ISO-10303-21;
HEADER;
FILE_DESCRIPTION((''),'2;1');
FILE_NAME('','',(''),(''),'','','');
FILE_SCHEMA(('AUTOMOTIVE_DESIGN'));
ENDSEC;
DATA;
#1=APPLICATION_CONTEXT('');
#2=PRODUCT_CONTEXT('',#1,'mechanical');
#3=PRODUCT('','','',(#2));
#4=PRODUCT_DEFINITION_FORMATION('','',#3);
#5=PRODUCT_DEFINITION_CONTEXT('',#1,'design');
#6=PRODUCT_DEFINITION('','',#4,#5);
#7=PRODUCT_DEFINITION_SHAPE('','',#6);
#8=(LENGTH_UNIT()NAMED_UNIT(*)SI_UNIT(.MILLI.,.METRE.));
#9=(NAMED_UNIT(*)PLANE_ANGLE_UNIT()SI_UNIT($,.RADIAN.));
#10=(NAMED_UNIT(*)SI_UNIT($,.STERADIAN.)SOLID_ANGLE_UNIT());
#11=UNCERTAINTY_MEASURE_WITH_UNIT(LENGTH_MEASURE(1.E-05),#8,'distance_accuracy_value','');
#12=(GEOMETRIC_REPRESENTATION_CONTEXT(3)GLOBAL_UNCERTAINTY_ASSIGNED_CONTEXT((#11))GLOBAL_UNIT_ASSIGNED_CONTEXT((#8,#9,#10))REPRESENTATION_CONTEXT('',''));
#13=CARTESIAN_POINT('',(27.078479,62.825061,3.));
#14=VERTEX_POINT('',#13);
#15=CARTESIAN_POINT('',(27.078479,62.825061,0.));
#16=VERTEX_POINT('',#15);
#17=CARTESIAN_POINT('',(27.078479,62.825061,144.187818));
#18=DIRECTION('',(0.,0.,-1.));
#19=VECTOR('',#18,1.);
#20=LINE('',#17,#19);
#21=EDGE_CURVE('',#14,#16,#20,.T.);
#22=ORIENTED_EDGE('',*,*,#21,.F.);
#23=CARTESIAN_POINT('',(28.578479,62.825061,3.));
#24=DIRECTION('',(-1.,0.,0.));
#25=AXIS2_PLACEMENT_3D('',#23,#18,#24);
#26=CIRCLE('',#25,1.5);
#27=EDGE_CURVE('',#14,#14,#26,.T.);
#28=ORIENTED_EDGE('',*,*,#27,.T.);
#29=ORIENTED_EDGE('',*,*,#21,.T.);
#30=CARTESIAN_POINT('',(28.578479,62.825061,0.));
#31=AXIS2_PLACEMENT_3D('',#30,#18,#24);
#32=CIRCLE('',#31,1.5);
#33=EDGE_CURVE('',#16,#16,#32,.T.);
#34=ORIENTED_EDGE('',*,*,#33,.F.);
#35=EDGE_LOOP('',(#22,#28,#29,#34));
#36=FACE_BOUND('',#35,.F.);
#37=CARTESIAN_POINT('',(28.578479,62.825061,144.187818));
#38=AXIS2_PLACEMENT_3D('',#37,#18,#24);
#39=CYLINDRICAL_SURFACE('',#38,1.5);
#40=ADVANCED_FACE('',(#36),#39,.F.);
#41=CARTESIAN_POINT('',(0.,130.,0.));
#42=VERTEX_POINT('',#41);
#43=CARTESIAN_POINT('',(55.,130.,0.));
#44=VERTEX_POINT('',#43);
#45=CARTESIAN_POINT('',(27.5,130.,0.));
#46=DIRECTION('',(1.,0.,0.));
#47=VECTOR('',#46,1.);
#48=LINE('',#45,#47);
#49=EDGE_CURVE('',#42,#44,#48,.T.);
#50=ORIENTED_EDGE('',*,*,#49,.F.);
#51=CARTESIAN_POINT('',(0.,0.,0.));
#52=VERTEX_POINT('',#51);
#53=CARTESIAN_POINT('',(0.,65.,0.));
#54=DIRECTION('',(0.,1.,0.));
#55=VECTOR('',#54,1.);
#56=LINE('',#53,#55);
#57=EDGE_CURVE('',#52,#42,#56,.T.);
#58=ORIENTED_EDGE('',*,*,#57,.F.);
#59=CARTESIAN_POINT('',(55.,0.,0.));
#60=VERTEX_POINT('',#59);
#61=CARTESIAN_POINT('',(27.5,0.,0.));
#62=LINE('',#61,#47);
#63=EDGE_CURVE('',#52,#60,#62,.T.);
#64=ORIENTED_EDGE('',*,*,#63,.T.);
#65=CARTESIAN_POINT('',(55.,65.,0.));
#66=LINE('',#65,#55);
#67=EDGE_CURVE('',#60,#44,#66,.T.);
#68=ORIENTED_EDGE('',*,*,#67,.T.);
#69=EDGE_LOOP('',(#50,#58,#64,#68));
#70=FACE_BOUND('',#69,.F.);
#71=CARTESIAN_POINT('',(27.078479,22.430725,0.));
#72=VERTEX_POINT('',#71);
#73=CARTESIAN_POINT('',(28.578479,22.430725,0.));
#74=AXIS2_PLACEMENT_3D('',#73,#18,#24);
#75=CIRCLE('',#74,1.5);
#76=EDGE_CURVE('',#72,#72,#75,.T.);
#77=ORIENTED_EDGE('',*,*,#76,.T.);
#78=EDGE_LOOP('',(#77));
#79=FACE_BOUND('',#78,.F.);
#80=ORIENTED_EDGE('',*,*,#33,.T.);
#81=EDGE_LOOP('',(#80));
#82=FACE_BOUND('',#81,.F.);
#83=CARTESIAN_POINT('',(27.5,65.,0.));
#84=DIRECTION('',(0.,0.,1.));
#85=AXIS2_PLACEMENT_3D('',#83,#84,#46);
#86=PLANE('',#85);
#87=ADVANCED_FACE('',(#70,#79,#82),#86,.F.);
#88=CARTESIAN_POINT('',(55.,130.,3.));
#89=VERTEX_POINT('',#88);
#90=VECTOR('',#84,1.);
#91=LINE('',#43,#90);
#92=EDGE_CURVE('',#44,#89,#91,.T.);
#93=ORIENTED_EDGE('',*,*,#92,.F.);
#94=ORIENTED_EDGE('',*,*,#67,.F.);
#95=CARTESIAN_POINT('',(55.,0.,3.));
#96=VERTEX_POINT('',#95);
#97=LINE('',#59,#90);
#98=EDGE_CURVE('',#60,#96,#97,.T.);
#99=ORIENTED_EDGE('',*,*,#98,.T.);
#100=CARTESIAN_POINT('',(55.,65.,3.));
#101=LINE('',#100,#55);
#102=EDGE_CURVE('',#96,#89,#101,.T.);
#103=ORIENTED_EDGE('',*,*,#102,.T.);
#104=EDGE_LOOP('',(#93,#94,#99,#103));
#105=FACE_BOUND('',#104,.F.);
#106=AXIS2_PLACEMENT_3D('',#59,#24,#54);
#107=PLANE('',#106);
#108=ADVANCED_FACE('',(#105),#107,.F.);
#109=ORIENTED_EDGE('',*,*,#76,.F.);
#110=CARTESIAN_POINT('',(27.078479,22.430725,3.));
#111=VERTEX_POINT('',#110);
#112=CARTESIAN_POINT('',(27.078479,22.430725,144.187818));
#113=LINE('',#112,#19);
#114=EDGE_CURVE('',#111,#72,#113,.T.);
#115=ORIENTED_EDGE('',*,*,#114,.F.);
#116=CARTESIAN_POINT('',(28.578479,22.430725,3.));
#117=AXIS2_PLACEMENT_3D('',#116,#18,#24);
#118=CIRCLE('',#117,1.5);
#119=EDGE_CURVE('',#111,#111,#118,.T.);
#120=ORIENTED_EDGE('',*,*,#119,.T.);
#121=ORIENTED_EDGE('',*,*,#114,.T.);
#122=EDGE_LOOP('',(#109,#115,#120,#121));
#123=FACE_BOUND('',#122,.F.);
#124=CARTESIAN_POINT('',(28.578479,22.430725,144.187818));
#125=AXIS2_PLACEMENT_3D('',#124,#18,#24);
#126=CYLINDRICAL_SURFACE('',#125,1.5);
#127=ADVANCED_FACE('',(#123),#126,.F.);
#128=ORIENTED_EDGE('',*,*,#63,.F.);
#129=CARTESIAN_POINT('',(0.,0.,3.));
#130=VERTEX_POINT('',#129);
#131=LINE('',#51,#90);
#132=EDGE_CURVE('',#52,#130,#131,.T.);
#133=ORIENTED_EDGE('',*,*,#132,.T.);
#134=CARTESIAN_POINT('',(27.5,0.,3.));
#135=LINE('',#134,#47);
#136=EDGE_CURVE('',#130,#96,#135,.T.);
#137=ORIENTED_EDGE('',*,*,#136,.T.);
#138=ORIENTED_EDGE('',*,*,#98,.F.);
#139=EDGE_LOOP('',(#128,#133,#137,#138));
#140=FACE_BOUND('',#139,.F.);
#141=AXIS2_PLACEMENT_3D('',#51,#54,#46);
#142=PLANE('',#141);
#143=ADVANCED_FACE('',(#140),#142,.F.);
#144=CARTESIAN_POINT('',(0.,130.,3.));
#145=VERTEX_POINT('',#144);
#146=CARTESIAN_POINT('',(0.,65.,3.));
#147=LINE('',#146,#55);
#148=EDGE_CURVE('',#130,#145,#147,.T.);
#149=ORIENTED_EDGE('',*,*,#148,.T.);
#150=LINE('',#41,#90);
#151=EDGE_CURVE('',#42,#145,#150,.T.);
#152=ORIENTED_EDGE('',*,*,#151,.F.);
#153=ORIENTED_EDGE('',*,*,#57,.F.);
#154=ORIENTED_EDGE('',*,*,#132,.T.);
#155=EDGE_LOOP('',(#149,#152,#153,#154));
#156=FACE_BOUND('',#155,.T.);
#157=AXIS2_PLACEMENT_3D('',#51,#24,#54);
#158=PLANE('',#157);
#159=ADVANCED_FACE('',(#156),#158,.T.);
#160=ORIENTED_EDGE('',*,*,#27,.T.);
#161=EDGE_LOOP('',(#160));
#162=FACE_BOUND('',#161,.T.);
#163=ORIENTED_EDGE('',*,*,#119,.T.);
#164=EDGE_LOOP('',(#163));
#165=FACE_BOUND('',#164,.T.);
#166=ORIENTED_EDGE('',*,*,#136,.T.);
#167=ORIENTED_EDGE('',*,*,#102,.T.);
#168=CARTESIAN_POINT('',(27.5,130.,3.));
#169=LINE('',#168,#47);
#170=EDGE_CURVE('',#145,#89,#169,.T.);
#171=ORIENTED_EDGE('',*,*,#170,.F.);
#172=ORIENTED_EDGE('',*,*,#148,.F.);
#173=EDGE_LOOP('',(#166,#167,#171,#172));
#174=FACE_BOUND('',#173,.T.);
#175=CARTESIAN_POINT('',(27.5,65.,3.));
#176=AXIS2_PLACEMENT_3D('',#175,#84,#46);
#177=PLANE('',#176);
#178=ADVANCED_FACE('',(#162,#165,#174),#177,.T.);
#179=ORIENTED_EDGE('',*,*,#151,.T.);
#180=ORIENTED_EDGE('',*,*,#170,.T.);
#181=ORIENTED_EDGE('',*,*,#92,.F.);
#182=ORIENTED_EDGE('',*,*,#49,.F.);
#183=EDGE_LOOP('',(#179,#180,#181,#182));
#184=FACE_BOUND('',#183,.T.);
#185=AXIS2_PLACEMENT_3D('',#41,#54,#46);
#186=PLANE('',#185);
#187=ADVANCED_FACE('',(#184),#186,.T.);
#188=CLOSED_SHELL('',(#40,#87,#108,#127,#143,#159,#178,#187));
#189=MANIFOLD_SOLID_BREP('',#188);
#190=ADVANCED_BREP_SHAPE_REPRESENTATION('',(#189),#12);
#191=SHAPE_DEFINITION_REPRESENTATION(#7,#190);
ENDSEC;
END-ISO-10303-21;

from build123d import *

# Parameters (mm, degrees)
F0_W     = 55
F0_H     = 130
F1_DEPTH = 3
F4_D     = 3


with BuildPart() as f1:
    # F0 (on Top) → F1 (new body)
    with BuildSketch(Plane.XY):
        with Locations((27.5, 65)):
            Rectangle(F0_W, F0_H)
    extrude(amount=F1_DEPTH)

    # F4 (through all)
    with Locations(Plane.XY.offset(3)):
        with Locations((28.578479, 22.430725), (28.578479, 62.825061)):
            Hole(F4_D / 2)


solid = f1.part
